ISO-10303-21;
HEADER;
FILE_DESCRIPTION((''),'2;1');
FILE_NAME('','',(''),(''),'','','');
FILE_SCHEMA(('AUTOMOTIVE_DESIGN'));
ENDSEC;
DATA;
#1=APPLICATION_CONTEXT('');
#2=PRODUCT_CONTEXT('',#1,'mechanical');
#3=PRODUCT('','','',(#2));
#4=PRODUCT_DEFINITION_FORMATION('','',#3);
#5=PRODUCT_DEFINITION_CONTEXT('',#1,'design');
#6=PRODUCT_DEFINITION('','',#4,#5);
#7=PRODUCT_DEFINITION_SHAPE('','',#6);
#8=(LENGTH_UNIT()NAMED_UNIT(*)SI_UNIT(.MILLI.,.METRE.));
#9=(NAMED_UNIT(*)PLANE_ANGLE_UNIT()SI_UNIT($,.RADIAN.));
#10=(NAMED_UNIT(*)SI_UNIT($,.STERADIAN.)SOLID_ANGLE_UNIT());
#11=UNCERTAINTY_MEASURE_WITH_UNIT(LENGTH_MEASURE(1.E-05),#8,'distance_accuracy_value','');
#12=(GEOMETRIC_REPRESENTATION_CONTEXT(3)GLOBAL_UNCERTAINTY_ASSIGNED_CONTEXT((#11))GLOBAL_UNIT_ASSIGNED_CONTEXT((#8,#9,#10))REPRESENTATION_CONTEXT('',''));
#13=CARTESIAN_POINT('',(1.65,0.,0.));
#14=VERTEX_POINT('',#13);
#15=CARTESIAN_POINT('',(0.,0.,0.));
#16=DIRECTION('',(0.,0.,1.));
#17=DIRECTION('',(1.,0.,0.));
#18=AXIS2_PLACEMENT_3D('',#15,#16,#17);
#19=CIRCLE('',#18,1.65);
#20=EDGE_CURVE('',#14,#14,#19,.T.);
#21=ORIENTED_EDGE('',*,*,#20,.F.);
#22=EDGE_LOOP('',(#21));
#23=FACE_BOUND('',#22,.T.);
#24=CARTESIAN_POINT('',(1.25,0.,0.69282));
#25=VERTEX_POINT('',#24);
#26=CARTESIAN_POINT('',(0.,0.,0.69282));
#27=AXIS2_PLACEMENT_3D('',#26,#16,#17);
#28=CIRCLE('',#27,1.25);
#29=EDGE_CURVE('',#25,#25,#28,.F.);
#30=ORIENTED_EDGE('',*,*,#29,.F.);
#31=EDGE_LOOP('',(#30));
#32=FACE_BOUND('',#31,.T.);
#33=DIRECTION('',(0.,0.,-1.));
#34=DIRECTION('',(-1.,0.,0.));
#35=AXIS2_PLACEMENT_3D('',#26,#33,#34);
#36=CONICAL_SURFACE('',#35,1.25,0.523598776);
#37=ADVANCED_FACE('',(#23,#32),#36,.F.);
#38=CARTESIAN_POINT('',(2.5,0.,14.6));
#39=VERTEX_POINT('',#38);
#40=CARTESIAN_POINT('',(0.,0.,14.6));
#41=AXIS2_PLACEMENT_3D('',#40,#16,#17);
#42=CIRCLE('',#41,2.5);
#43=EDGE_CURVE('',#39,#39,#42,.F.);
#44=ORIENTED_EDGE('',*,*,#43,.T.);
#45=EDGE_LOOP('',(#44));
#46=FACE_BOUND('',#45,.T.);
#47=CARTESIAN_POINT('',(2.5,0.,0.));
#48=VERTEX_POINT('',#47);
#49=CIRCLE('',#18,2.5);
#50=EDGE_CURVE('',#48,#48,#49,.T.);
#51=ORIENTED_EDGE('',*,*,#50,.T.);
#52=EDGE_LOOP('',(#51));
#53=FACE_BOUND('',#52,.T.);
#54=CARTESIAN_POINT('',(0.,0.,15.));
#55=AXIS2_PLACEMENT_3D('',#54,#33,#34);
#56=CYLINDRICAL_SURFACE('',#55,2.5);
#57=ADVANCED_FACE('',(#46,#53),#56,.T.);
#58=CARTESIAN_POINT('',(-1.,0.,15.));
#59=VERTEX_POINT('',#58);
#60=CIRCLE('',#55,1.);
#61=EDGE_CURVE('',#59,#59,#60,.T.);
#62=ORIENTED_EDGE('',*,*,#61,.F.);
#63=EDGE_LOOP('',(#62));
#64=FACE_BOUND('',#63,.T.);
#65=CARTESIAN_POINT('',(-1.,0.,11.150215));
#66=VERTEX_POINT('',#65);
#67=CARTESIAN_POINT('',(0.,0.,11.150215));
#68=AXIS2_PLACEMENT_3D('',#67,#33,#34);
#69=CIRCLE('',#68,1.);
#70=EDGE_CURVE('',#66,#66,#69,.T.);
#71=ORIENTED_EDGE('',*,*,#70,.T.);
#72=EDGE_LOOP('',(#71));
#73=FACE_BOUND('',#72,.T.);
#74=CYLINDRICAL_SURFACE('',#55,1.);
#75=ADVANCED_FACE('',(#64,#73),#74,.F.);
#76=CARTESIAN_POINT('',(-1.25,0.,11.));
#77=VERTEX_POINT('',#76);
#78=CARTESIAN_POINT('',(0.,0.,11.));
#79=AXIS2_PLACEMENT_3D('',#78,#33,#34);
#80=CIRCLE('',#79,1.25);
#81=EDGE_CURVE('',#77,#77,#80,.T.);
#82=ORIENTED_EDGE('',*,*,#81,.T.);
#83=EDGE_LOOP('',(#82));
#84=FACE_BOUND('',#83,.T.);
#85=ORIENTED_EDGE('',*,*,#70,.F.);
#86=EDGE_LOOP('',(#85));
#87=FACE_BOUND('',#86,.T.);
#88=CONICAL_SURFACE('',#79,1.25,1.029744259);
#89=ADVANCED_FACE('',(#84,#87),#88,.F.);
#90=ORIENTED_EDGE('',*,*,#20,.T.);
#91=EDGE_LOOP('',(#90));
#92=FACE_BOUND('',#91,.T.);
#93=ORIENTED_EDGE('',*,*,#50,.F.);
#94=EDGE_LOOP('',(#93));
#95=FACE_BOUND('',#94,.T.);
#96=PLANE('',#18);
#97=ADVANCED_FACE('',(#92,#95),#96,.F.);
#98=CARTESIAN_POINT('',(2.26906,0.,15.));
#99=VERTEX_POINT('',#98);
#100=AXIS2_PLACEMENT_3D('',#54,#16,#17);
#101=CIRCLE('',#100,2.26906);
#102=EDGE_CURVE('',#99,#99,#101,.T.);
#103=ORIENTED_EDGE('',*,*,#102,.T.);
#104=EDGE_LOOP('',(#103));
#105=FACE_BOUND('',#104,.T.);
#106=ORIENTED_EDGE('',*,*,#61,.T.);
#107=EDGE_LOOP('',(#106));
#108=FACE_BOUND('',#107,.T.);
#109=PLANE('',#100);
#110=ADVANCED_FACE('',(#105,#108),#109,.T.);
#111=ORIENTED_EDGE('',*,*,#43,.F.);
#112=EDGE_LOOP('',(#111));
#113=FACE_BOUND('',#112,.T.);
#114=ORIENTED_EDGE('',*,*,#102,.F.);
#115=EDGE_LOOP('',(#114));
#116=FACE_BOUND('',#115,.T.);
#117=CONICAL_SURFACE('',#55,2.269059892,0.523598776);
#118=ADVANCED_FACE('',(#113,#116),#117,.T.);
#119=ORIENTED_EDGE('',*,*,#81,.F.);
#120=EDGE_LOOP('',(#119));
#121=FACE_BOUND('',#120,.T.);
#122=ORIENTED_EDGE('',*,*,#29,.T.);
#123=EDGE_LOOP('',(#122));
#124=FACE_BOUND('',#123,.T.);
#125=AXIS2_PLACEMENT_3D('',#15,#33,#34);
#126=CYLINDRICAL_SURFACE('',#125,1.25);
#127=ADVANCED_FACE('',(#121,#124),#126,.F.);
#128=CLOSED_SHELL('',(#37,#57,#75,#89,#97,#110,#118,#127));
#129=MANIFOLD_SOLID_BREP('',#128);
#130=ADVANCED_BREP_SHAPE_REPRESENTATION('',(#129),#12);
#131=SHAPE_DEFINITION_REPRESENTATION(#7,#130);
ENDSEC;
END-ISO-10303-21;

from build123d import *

# Parameters (mm, degrees)
SKETCH1_R                       = 2.5
BOSS_EXTRUDE1_DEPTH             = 15
SKETCH2_R                       = 1
CUT_EXTRUDE1_DEPTH              = 16
TAP_DRILL_FOR_M3X0_5_TAP1_D     = 2.5
TAP_DRILL_FOR_M3X0_5_TAP1_DEPTH = 11
TAP_DRILL_FOR_M3X0_5_TAP1_TIP   = 0.751075774
CHAMFER1_SIZE                   = 0.4
CHAMFER1_SIZE2                  = 0.230940108
CHAMFER2_SIZE                   = 0.4
CHAMFER2_SIZE2                  = 0.692820323


with BuildPart() as part:
    # Sketch1 → Boss-Extrude1 (new body)
    with BuildSketch(Plane.XY):
        Circle(SKETCH1_R)
    extrude(amount=BOSS_EXTRUDE1_DEPTH)

    # Sketch2 → Cut-Extrude1 (cut, through all)
    with BuildSketch(Plane(origin=(0, 0, 0), x_dir=(-1, 0, 0), z_dir=(0, 0, -1))):
        Circle(SKETCH2_R)
    extrude(amount=-CUT_EXTRUDE1_DEPTH, mode=Mode.SUBTRACT)

    # Tap Drill for M3x0.5 Tap1
    with Locations(Plane(origin=(0, 0, 0), x_dir=(-1, 0, 0), z_dir=(0, 0, -1))):
        with Locations((0, 0)):
            Hole(TAP_DRILL_FOR_M3X0_5_TAP1_D / 2, depth=TAP_DRILL_FOR_M3X0_5_TAP1_DEPTH)
            with Locations((0, 0, -(TAP_DRILL_FOR_M3X0_5_TAP1_DEPTH + TAP_DRILL_FOR_M3X0_5_TAP1_TIP / 2))):  # 118° drill point
                Cone(0, TAP_DRILL_FOR_M3X0_5_TAP1_D / 2, TAP_DRILL_FOR_M3X0_5_TAP1_TIP, mode=Mode.SUBTRACT)

    # Chamfer1
    chamfer1_edges = [part.edges().sort_by_distance(p)[0] for p in [
        (-2.5, 0, 15),
    ]]
    chamfer1_side = [part.faces().sort_by_distance(p)[0] for p in [
        (-2.5, 0, 7.5),
    ]]
    chamfer(chamfer1_edges, length=CHAMFER1_SIZE, length2=CHAMFER1_SIZE2, reference=chamfer1_side[0])

    # Chamfer2
    chamfer2_edges = [part.edges().sort_by_distance(p)[0] for p in [
        (-1.25, 0, 0),
    ]]
    chamfer2_side = [part.faces().sort_by_distance(p)[0] for p in [
        (-2.429289322, 0, 0),
    ]]
    chamfer(chamfer2_edges, length=CHAMFER2_SIZE, length2=CHAMFER2_SIZE2, reference=chamfer2_side[0])


solid = part.part
